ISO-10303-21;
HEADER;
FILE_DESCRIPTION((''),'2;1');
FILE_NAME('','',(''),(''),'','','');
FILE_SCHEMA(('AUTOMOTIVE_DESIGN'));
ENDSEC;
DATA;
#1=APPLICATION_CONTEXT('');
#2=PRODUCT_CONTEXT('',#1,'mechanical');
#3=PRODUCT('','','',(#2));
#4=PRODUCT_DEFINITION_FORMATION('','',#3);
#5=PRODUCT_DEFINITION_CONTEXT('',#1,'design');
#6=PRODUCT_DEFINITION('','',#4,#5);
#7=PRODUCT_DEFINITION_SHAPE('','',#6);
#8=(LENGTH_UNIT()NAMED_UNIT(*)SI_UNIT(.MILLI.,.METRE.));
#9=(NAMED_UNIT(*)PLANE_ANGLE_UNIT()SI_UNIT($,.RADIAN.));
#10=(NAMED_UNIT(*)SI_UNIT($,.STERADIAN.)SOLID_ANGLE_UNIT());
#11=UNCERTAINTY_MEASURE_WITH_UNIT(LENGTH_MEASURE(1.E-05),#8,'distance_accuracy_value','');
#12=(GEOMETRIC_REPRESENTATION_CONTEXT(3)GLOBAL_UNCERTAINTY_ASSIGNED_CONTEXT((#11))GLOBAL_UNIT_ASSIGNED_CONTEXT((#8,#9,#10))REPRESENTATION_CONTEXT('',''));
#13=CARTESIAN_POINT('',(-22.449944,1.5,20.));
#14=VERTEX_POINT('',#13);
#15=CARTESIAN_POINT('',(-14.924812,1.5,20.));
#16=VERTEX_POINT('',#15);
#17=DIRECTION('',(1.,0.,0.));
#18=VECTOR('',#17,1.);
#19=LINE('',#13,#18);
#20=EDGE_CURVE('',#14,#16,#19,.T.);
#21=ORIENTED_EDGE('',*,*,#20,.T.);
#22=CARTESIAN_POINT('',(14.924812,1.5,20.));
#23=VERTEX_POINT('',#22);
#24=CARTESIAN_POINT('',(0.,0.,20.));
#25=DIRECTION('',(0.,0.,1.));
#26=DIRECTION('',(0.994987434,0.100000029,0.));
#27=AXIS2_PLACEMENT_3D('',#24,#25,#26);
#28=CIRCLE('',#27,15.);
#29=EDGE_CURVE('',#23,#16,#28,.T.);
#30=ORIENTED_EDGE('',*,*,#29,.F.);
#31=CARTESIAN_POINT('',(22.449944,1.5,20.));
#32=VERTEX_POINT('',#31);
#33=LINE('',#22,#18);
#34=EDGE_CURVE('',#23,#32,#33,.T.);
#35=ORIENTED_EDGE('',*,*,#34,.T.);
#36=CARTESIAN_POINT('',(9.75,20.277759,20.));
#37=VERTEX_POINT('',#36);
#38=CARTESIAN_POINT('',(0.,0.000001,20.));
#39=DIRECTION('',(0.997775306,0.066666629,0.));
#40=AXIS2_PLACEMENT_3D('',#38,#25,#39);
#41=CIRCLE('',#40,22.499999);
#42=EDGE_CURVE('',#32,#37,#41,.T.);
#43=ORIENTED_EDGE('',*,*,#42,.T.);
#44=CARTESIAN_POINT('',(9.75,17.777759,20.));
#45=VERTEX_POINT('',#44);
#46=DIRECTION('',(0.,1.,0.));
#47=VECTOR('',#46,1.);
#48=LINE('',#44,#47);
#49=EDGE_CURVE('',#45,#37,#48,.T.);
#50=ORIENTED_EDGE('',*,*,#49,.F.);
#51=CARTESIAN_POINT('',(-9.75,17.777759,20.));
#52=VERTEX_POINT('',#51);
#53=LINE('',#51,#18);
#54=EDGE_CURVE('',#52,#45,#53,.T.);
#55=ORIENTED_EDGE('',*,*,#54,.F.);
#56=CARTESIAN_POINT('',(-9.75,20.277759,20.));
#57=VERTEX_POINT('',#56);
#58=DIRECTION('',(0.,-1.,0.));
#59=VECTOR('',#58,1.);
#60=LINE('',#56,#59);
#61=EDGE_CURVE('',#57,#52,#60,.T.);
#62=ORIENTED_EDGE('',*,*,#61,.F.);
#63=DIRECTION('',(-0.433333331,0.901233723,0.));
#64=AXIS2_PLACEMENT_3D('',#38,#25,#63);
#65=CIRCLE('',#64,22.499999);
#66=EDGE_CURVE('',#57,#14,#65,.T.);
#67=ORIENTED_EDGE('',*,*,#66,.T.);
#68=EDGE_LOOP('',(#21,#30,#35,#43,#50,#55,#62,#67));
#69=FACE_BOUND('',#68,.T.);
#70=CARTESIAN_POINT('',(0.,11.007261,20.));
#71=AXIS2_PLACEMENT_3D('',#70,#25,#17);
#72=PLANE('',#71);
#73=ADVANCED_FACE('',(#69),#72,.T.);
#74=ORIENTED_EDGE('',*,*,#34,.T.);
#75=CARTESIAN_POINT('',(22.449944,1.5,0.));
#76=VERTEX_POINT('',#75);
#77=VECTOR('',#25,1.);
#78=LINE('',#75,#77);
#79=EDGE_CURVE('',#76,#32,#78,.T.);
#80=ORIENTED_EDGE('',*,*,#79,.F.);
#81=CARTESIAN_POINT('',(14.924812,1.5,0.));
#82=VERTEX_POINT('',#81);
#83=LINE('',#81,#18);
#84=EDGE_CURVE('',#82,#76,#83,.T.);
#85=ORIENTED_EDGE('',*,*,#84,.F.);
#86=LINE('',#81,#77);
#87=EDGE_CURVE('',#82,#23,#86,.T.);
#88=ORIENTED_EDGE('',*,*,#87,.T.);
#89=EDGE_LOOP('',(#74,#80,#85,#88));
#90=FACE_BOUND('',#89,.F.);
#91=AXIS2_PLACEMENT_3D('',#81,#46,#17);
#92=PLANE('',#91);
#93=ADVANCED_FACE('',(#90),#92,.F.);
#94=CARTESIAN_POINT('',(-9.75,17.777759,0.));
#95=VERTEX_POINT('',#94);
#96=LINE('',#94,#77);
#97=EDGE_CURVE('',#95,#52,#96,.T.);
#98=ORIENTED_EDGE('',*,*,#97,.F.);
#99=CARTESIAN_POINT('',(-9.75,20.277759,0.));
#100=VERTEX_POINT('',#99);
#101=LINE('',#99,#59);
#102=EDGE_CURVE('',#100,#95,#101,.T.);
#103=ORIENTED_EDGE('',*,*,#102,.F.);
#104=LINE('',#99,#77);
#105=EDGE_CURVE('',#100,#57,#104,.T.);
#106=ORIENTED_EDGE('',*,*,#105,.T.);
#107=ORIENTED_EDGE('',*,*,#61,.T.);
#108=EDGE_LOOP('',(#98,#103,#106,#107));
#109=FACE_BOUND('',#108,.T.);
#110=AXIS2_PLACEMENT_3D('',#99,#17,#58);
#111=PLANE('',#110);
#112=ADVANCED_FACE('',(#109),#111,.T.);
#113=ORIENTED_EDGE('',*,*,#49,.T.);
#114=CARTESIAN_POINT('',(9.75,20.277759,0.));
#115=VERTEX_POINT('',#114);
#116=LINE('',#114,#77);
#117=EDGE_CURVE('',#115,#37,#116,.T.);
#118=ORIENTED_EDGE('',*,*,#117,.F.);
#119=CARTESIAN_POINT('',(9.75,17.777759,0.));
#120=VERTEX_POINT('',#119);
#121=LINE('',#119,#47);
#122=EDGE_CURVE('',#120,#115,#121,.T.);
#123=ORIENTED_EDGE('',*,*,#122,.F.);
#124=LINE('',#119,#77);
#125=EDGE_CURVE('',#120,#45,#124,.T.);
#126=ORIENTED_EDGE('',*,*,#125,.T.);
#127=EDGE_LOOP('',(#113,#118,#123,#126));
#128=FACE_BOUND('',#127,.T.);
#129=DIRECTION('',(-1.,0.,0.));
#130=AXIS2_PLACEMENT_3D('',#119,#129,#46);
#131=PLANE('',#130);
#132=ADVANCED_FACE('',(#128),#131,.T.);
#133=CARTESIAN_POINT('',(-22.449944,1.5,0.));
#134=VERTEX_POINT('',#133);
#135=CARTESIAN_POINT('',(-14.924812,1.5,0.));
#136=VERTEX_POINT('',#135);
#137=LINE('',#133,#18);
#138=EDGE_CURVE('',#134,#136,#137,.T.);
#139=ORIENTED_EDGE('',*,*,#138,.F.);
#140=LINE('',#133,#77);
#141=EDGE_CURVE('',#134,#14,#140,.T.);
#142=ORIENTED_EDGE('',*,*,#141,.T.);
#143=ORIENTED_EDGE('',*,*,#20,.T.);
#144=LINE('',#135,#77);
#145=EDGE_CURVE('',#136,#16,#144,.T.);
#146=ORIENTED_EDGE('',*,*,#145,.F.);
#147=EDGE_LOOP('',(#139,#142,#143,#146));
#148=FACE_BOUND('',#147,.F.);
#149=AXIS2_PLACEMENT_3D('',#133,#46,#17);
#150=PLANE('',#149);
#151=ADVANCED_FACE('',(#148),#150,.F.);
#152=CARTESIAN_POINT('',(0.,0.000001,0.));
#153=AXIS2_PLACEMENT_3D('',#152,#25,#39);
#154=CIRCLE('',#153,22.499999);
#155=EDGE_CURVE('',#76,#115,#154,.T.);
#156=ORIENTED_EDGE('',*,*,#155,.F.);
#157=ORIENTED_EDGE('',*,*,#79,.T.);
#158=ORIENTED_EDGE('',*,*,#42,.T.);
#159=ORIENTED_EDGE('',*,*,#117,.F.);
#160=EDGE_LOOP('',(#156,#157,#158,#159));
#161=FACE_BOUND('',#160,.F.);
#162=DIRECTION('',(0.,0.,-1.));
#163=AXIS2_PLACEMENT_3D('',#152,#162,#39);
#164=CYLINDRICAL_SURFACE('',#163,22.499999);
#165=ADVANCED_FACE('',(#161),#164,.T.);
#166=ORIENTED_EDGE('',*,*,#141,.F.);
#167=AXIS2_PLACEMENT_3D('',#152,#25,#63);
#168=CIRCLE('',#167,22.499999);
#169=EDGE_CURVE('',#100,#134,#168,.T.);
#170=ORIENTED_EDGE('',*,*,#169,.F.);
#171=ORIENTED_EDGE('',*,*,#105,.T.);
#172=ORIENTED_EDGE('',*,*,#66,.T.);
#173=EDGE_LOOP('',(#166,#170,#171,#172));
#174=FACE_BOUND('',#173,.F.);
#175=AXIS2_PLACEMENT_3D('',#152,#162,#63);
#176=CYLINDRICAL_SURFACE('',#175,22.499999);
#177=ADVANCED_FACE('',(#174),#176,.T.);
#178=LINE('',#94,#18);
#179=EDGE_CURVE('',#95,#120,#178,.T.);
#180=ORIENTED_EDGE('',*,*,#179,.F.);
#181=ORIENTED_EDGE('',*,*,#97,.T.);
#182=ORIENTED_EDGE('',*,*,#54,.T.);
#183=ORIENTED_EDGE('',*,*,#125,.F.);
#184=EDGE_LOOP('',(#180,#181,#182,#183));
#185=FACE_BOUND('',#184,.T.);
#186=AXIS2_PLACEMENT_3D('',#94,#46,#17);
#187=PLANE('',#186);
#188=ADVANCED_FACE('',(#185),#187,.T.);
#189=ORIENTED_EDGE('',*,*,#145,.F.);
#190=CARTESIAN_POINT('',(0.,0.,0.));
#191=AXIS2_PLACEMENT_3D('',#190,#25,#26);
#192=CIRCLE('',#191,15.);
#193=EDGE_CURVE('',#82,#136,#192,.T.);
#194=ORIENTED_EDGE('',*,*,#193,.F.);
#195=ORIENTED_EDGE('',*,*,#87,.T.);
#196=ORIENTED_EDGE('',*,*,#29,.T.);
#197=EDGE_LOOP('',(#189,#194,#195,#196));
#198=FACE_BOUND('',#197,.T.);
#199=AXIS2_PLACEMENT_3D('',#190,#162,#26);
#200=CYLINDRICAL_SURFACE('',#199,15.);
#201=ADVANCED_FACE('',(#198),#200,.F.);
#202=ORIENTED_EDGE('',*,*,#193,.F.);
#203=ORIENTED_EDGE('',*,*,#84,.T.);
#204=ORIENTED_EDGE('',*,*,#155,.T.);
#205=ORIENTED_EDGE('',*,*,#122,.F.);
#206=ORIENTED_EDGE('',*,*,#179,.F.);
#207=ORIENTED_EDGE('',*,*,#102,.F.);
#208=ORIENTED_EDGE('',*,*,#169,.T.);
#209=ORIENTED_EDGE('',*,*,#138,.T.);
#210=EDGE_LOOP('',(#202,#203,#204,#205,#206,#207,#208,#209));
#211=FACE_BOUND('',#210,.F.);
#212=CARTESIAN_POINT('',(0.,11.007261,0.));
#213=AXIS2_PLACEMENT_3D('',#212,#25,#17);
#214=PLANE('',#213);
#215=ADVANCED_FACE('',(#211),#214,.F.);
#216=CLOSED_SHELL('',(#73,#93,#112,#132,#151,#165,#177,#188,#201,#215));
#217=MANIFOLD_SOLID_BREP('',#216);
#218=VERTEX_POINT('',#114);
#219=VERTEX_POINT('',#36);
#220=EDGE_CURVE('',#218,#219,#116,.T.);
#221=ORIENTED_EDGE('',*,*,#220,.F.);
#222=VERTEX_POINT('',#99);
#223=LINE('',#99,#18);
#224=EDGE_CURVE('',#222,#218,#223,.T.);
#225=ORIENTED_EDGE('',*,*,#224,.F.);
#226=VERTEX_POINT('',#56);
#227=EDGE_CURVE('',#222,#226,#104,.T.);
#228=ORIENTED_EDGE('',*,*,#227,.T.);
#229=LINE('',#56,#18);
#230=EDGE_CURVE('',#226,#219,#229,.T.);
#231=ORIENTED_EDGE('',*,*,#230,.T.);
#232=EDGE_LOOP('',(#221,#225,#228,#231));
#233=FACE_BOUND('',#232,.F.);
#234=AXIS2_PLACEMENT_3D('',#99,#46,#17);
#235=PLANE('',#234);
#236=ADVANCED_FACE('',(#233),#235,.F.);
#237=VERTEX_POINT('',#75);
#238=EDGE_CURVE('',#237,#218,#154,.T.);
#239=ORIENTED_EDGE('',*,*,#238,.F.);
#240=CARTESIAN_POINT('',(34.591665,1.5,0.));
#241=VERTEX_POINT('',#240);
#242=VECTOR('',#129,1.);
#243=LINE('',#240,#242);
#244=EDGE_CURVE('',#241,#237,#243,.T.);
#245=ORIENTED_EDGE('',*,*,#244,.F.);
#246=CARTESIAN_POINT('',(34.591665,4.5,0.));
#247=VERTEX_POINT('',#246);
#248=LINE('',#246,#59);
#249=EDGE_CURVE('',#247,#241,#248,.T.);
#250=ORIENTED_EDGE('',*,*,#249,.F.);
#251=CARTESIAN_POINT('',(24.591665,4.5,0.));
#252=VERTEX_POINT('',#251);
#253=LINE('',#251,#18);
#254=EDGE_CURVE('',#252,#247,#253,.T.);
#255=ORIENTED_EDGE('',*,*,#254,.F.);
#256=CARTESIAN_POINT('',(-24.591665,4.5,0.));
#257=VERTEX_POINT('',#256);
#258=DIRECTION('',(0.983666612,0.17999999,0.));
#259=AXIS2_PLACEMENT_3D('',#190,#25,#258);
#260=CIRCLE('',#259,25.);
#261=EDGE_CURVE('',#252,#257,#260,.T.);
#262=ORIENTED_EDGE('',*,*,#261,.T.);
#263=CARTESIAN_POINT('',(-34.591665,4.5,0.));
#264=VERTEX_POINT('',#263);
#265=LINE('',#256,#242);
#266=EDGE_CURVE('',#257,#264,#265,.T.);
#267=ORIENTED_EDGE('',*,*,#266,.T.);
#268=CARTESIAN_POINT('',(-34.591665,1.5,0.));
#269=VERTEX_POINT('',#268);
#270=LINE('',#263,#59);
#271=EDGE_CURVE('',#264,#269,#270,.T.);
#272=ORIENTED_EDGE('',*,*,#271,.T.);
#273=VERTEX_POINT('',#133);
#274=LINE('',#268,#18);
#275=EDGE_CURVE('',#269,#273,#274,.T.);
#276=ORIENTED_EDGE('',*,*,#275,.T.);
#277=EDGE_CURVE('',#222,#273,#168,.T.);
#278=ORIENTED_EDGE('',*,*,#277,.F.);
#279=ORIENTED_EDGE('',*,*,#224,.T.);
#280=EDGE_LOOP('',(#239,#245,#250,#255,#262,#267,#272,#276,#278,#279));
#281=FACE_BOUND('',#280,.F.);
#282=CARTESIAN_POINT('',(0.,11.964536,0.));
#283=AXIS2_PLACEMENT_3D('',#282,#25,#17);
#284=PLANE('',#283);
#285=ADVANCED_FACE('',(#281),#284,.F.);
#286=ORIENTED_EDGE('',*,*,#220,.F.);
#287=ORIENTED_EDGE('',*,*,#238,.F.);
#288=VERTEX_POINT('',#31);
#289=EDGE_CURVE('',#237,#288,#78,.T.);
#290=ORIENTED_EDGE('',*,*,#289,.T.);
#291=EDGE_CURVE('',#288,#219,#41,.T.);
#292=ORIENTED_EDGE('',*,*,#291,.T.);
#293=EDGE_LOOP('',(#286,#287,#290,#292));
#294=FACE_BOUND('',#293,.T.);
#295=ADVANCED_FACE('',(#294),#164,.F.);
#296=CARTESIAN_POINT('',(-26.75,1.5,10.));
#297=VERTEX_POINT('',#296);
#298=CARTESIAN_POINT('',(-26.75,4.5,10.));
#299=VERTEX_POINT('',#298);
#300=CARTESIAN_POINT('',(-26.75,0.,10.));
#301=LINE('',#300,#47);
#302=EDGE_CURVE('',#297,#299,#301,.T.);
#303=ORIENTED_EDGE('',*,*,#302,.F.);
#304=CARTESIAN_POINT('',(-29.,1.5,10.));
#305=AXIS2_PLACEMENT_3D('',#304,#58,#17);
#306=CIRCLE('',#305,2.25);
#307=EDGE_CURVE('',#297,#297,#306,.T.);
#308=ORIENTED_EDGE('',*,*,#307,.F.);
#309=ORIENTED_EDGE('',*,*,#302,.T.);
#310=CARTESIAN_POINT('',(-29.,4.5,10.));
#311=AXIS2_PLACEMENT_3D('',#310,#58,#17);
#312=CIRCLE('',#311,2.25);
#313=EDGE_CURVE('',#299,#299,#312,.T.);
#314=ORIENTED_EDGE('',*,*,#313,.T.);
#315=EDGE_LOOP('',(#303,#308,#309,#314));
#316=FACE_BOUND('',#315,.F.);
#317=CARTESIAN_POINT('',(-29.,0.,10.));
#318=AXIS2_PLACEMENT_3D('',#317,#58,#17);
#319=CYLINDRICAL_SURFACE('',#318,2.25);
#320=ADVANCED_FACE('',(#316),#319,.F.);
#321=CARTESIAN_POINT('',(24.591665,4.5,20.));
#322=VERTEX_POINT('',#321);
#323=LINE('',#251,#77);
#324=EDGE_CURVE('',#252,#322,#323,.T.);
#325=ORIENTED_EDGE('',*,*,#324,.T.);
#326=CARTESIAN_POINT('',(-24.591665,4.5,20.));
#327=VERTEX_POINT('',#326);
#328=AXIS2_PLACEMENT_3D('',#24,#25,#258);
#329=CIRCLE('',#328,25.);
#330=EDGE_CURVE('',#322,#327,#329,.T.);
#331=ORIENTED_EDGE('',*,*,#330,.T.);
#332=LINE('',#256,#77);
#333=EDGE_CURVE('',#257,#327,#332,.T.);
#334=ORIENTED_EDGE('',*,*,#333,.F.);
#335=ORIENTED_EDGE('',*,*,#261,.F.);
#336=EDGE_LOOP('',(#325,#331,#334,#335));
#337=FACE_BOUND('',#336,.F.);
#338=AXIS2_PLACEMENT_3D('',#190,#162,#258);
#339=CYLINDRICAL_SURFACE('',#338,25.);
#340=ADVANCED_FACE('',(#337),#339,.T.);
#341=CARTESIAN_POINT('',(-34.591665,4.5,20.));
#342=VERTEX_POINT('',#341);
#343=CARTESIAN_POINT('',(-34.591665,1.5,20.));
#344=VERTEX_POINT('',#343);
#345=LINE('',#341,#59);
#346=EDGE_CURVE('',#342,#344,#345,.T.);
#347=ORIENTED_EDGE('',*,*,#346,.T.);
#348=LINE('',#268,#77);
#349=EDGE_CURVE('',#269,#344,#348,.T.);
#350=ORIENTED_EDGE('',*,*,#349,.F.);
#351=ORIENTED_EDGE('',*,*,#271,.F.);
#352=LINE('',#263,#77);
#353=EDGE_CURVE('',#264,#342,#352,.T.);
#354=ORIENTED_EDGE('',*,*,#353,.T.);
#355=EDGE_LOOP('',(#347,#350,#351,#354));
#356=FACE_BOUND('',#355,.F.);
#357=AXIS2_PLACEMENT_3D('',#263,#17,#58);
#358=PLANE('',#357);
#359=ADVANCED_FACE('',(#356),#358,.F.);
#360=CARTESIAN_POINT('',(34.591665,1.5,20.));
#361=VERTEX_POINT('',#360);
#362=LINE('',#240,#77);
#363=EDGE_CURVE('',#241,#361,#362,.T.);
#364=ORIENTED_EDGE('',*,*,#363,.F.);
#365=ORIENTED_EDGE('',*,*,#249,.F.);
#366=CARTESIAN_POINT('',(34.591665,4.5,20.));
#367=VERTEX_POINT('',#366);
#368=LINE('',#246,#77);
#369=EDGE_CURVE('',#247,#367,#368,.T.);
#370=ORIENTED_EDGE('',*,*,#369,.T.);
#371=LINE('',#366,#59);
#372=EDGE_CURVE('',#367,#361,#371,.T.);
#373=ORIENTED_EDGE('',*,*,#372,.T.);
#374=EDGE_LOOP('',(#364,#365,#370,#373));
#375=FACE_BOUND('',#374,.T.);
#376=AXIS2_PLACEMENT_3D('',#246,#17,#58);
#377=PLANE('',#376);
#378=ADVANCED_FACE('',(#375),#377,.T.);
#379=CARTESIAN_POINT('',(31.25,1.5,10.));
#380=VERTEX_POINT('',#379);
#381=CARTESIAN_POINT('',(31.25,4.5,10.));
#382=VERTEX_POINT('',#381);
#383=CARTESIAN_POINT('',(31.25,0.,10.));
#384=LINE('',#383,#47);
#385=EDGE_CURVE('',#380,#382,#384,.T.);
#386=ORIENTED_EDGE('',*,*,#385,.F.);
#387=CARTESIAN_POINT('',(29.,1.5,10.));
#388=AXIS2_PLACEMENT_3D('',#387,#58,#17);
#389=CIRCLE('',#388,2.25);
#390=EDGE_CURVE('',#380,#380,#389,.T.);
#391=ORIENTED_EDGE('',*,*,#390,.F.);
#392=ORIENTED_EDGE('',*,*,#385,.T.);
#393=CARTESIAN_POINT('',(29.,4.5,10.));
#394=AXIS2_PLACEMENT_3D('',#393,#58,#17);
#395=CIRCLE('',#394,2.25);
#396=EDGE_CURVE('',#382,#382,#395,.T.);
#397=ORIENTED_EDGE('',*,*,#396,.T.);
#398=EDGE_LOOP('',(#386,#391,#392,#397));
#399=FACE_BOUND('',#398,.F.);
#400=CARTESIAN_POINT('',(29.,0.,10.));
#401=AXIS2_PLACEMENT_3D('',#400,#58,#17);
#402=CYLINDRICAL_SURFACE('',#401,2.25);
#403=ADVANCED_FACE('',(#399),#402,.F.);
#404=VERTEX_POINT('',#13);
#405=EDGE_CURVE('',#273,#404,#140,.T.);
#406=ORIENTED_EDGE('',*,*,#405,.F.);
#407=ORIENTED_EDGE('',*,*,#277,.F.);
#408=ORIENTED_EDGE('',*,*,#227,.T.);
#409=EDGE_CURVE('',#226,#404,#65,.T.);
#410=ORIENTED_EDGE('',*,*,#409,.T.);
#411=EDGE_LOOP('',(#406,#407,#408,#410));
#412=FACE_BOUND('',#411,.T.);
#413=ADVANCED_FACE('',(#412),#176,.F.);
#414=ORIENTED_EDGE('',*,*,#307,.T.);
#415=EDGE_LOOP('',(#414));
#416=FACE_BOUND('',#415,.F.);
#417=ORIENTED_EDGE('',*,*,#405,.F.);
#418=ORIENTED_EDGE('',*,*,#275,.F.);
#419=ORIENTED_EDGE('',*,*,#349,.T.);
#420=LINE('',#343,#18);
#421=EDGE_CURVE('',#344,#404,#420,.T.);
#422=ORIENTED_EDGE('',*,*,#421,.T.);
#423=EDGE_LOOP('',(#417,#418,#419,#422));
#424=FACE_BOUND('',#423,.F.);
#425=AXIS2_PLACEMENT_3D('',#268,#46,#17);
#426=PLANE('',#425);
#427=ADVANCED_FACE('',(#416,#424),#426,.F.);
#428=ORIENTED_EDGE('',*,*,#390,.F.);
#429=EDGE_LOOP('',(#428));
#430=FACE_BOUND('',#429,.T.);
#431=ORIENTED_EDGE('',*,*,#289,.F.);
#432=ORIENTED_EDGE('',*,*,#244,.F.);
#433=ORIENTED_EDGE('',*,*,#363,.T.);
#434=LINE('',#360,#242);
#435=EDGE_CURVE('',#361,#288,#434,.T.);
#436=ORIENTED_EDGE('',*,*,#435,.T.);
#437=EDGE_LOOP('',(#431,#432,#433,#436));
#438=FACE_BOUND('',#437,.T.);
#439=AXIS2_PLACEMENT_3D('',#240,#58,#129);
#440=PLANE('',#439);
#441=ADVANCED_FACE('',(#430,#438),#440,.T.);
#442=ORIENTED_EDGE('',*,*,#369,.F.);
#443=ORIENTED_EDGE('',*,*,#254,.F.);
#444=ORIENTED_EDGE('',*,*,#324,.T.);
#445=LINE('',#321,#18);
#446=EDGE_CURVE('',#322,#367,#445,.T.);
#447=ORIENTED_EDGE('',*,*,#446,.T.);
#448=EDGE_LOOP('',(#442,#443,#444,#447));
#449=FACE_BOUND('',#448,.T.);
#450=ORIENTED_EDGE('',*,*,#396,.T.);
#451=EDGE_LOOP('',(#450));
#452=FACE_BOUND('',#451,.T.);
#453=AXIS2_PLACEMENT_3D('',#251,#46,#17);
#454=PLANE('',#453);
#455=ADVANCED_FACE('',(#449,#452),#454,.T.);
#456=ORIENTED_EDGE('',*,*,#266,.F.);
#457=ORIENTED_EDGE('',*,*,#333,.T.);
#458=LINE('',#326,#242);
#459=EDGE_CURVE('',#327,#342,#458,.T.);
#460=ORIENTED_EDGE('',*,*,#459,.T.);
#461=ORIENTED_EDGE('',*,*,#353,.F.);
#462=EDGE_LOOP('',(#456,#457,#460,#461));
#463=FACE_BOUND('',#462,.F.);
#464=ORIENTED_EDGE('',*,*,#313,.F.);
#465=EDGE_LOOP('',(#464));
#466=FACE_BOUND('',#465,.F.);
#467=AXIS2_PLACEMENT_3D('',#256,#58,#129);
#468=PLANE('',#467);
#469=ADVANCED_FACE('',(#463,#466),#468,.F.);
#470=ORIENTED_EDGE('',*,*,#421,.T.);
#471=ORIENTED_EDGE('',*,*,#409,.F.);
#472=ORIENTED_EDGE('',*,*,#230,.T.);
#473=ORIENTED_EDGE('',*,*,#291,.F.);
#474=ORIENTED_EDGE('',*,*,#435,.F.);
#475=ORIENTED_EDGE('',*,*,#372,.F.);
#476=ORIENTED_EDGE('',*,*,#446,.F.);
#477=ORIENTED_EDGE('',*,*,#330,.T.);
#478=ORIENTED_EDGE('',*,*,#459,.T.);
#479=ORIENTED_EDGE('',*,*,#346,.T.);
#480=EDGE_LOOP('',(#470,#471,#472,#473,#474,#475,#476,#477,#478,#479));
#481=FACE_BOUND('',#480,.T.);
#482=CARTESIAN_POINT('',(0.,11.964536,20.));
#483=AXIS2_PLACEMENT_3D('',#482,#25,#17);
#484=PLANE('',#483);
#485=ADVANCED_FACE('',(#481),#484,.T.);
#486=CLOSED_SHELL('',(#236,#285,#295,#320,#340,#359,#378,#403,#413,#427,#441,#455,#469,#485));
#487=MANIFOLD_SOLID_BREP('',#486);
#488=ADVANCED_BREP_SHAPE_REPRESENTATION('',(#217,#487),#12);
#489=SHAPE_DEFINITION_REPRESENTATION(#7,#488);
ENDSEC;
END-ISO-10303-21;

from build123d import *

# Parameters (mm, degrees)
PAD_DEPTH    = 20
PAD001_DEPTH = 20
SKETCH002_R  = 2.25
POCKET_DEPTH = 25.001


with BuildPart() as body:
    # Sketch → Pad (new body)
    with BuildSketch(Plane.XY):
        with BuildLine():
            ThreePointArc((-9.75, 20.277759), (-18.637601, 12.605151), (-22.449944, 1.5))
            Line((-22.449944, 1.5), (-14.924812, 1.5))
            ThreePointArc((14.924812, 1.5), (0, 15), (-14.924812, 1.5))
            Line((14.924812, 1.5), (22.449944, 1.5))
            ThreePointArc((22.449944, 1.5), (18.637601, 12.605151), (9.75, 20.277759))
            Line((9.75, 17.777759), (9.75, 20.277759))
            Line((-9.75, 17.777759), (9.75, 17.777759))
            Line((-9.75, 20.277759), (-9.75, 17.777759))
        make_face()
    extrude(amount=PAD_DEPTH)


with BuildPart() as body001:
    # Sketch001 → Pad001 (new body)
    with BuildSketch(Plane.XY):
        with BuildLine():
            ThreePointArc((24.591665, 4.5), (0, 25), (-24.591665, 4.5))
            Line((-24.591665, 4.5), (-34.591665, 4.5))
            Line((-34.591665, 4.5), (-34.591665, 1.5))
            Line((-34.591665, 1.5), (-22.449944, 1.5))
            ThreePointArc((-9.75, 20.277759), (-18.637601, 12.605151), (-22.449944, 1.5))
            Line((-9.75, 20.277759), (9.75, 20.277759))
            ThreePointArc((22.449944, 1.5), (18.637601, 12.605151), (9.75, 20.277759))
            Line((34.591665, 1.5), (22.449944, 1.5))
            Line((34.591665, 4.5), (34.591665, 1.5))
            Line((24.591665, 4.5), (34.591665, 4.5))
        make_face()
    extrude(amount=PAD001_DEPTH)

    # Sketch002 → Pocket (cut, through all)
    with BuildSketch(Plane.XZ):
        with Locations((-29, 10)):
            Circle(SKETCH002_R)
        with Locations((29, 10)):
            Circle(SKETCH002_R)
    extrude(amount=-POCKET_DEPTH, mode=Mode.SUBTRACT)


solid = Compound([body.part, body001.part])
